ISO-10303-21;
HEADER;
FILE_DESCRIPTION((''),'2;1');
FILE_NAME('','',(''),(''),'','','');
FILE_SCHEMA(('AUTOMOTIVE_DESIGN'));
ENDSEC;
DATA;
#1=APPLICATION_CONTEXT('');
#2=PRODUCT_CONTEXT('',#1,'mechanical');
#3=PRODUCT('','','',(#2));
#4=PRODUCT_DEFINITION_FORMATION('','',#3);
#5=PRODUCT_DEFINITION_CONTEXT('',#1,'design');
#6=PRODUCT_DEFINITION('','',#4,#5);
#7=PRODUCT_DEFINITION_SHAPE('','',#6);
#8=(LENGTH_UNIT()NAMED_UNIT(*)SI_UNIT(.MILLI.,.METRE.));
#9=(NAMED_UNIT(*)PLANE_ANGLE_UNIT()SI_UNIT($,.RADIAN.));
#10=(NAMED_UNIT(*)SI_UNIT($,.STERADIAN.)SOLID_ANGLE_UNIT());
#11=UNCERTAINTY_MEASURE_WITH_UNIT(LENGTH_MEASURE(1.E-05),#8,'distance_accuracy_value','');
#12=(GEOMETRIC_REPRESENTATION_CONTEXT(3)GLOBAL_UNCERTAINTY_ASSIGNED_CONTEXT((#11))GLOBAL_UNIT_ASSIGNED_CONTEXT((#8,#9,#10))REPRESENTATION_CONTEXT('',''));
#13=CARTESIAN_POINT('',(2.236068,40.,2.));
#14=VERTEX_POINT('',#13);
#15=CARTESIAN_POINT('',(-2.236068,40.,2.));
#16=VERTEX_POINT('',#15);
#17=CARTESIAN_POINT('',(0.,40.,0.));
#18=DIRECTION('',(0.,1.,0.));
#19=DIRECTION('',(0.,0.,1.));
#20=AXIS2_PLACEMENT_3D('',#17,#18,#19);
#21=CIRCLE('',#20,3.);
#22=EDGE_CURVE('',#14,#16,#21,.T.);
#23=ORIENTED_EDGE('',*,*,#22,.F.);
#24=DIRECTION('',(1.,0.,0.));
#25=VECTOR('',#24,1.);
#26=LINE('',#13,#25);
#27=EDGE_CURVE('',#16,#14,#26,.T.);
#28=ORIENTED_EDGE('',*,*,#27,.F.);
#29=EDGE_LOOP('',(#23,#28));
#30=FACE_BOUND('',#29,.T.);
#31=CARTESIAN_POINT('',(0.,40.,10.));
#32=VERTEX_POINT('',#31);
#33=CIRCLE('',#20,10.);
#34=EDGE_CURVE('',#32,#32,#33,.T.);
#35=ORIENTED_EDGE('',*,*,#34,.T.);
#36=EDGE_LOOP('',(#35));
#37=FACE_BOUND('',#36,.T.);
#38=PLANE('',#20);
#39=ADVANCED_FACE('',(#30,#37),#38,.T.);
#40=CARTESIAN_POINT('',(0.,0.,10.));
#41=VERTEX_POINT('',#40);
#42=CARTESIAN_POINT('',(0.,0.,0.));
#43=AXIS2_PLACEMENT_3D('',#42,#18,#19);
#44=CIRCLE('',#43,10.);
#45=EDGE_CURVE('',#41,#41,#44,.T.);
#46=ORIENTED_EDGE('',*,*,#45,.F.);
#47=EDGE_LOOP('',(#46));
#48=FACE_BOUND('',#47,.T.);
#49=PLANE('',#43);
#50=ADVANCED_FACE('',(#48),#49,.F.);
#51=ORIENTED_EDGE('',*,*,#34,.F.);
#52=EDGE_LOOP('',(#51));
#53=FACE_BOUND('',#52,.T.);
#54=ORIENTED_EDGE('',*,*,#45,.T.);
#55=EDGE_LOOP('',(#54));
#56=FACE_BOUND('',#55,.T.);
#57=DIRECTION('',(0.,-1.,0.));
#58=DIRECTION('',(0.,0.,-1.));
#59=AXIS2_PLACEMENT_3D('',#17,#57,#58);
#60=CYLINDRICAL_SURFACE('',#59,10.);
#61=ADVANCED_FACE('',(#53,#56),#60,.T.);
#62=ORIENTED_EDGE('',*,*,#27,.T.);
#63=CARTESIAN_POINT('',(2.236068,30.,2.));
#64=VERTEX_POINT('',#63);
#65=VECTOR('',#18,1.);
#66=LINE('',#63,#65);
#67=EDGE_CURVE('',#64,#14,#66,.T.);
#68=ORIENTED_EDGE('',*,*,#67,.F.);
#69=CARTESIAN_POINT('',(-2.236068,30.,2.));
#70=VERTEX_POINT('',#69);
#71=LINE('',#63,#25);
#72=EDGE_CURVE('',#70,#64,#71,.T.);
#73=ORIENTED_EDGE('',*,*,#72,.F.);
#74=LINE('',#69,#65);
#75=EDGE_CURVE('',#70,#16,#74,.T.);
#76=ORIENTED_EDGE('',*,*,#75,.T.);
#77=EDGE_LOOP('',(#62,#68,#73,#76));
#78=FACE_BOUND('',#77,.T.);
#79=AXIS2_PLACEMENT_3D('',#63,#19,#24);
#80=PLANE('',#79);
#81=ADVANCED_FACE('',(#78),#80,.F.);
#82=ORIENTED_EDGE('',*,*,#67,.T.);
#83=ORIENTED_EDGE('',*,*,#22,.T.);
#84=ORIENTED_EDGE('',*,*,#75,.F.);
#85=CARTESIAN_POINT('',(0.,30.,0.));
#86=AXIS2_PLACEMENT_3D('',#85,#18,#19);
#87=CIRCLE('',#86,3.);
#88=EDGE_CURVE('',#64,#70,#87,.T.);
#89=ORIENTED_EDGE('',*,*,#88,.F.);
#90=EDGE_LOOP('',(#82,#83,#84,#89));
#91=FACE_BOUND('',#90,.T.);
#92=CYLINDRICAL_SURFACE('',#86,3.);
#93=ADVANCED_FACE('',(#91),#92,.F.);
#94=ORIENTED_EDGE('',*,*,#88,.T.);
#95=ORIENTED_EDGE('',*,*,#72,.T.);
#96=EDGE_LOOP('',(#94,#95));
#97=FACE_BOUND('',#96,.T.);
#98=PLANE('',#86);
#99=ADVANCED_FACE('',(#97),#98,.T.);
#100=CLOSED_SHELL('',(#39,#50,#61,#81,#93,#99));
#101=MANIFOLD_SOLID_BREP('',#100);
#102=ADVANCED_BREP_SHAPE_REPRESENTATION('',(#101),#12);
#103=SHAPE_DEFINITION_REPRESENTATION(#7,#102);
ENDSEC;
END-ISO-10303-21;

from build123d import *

# Parameters (mm, degrees)
SKETCH1_R           = 10
BOSS_EXTRUDE1_DEPTH = 40
CUT_EXTRUDE1_DEPTH  = 10


with BuildPart() as part:
    # Sketch1 → Boss-Extrude1 (new body)
    with BuildSketch(Plane(origin=(0, 0, 0), x_dir=(1, 0, 0), z_dir=(0, 1, 0))):
        Circle(SKETCH1_R)
    extrude(amount=BOSS_EXTRUDE1_DEPTH)

    # Sketch2 → Cut-Extrude1 (cut)
    with BuildSketch(Plane(origin=(0, 40, 0), x_dir=(1, 0, 0), z_dir=(0, 1, 0))):
        with BuildLine():
            Line((2.236067977, -2), (-2.236067977, -2))
            ThreePointArc((-2.236067977, -2), (0, 3), (2.236067977, -2))
        make_face()
    extrude(amount=-CUT_EXTRUDE1_DEPTH, mode=Mode.SUBTRACT)


solid = part.part
